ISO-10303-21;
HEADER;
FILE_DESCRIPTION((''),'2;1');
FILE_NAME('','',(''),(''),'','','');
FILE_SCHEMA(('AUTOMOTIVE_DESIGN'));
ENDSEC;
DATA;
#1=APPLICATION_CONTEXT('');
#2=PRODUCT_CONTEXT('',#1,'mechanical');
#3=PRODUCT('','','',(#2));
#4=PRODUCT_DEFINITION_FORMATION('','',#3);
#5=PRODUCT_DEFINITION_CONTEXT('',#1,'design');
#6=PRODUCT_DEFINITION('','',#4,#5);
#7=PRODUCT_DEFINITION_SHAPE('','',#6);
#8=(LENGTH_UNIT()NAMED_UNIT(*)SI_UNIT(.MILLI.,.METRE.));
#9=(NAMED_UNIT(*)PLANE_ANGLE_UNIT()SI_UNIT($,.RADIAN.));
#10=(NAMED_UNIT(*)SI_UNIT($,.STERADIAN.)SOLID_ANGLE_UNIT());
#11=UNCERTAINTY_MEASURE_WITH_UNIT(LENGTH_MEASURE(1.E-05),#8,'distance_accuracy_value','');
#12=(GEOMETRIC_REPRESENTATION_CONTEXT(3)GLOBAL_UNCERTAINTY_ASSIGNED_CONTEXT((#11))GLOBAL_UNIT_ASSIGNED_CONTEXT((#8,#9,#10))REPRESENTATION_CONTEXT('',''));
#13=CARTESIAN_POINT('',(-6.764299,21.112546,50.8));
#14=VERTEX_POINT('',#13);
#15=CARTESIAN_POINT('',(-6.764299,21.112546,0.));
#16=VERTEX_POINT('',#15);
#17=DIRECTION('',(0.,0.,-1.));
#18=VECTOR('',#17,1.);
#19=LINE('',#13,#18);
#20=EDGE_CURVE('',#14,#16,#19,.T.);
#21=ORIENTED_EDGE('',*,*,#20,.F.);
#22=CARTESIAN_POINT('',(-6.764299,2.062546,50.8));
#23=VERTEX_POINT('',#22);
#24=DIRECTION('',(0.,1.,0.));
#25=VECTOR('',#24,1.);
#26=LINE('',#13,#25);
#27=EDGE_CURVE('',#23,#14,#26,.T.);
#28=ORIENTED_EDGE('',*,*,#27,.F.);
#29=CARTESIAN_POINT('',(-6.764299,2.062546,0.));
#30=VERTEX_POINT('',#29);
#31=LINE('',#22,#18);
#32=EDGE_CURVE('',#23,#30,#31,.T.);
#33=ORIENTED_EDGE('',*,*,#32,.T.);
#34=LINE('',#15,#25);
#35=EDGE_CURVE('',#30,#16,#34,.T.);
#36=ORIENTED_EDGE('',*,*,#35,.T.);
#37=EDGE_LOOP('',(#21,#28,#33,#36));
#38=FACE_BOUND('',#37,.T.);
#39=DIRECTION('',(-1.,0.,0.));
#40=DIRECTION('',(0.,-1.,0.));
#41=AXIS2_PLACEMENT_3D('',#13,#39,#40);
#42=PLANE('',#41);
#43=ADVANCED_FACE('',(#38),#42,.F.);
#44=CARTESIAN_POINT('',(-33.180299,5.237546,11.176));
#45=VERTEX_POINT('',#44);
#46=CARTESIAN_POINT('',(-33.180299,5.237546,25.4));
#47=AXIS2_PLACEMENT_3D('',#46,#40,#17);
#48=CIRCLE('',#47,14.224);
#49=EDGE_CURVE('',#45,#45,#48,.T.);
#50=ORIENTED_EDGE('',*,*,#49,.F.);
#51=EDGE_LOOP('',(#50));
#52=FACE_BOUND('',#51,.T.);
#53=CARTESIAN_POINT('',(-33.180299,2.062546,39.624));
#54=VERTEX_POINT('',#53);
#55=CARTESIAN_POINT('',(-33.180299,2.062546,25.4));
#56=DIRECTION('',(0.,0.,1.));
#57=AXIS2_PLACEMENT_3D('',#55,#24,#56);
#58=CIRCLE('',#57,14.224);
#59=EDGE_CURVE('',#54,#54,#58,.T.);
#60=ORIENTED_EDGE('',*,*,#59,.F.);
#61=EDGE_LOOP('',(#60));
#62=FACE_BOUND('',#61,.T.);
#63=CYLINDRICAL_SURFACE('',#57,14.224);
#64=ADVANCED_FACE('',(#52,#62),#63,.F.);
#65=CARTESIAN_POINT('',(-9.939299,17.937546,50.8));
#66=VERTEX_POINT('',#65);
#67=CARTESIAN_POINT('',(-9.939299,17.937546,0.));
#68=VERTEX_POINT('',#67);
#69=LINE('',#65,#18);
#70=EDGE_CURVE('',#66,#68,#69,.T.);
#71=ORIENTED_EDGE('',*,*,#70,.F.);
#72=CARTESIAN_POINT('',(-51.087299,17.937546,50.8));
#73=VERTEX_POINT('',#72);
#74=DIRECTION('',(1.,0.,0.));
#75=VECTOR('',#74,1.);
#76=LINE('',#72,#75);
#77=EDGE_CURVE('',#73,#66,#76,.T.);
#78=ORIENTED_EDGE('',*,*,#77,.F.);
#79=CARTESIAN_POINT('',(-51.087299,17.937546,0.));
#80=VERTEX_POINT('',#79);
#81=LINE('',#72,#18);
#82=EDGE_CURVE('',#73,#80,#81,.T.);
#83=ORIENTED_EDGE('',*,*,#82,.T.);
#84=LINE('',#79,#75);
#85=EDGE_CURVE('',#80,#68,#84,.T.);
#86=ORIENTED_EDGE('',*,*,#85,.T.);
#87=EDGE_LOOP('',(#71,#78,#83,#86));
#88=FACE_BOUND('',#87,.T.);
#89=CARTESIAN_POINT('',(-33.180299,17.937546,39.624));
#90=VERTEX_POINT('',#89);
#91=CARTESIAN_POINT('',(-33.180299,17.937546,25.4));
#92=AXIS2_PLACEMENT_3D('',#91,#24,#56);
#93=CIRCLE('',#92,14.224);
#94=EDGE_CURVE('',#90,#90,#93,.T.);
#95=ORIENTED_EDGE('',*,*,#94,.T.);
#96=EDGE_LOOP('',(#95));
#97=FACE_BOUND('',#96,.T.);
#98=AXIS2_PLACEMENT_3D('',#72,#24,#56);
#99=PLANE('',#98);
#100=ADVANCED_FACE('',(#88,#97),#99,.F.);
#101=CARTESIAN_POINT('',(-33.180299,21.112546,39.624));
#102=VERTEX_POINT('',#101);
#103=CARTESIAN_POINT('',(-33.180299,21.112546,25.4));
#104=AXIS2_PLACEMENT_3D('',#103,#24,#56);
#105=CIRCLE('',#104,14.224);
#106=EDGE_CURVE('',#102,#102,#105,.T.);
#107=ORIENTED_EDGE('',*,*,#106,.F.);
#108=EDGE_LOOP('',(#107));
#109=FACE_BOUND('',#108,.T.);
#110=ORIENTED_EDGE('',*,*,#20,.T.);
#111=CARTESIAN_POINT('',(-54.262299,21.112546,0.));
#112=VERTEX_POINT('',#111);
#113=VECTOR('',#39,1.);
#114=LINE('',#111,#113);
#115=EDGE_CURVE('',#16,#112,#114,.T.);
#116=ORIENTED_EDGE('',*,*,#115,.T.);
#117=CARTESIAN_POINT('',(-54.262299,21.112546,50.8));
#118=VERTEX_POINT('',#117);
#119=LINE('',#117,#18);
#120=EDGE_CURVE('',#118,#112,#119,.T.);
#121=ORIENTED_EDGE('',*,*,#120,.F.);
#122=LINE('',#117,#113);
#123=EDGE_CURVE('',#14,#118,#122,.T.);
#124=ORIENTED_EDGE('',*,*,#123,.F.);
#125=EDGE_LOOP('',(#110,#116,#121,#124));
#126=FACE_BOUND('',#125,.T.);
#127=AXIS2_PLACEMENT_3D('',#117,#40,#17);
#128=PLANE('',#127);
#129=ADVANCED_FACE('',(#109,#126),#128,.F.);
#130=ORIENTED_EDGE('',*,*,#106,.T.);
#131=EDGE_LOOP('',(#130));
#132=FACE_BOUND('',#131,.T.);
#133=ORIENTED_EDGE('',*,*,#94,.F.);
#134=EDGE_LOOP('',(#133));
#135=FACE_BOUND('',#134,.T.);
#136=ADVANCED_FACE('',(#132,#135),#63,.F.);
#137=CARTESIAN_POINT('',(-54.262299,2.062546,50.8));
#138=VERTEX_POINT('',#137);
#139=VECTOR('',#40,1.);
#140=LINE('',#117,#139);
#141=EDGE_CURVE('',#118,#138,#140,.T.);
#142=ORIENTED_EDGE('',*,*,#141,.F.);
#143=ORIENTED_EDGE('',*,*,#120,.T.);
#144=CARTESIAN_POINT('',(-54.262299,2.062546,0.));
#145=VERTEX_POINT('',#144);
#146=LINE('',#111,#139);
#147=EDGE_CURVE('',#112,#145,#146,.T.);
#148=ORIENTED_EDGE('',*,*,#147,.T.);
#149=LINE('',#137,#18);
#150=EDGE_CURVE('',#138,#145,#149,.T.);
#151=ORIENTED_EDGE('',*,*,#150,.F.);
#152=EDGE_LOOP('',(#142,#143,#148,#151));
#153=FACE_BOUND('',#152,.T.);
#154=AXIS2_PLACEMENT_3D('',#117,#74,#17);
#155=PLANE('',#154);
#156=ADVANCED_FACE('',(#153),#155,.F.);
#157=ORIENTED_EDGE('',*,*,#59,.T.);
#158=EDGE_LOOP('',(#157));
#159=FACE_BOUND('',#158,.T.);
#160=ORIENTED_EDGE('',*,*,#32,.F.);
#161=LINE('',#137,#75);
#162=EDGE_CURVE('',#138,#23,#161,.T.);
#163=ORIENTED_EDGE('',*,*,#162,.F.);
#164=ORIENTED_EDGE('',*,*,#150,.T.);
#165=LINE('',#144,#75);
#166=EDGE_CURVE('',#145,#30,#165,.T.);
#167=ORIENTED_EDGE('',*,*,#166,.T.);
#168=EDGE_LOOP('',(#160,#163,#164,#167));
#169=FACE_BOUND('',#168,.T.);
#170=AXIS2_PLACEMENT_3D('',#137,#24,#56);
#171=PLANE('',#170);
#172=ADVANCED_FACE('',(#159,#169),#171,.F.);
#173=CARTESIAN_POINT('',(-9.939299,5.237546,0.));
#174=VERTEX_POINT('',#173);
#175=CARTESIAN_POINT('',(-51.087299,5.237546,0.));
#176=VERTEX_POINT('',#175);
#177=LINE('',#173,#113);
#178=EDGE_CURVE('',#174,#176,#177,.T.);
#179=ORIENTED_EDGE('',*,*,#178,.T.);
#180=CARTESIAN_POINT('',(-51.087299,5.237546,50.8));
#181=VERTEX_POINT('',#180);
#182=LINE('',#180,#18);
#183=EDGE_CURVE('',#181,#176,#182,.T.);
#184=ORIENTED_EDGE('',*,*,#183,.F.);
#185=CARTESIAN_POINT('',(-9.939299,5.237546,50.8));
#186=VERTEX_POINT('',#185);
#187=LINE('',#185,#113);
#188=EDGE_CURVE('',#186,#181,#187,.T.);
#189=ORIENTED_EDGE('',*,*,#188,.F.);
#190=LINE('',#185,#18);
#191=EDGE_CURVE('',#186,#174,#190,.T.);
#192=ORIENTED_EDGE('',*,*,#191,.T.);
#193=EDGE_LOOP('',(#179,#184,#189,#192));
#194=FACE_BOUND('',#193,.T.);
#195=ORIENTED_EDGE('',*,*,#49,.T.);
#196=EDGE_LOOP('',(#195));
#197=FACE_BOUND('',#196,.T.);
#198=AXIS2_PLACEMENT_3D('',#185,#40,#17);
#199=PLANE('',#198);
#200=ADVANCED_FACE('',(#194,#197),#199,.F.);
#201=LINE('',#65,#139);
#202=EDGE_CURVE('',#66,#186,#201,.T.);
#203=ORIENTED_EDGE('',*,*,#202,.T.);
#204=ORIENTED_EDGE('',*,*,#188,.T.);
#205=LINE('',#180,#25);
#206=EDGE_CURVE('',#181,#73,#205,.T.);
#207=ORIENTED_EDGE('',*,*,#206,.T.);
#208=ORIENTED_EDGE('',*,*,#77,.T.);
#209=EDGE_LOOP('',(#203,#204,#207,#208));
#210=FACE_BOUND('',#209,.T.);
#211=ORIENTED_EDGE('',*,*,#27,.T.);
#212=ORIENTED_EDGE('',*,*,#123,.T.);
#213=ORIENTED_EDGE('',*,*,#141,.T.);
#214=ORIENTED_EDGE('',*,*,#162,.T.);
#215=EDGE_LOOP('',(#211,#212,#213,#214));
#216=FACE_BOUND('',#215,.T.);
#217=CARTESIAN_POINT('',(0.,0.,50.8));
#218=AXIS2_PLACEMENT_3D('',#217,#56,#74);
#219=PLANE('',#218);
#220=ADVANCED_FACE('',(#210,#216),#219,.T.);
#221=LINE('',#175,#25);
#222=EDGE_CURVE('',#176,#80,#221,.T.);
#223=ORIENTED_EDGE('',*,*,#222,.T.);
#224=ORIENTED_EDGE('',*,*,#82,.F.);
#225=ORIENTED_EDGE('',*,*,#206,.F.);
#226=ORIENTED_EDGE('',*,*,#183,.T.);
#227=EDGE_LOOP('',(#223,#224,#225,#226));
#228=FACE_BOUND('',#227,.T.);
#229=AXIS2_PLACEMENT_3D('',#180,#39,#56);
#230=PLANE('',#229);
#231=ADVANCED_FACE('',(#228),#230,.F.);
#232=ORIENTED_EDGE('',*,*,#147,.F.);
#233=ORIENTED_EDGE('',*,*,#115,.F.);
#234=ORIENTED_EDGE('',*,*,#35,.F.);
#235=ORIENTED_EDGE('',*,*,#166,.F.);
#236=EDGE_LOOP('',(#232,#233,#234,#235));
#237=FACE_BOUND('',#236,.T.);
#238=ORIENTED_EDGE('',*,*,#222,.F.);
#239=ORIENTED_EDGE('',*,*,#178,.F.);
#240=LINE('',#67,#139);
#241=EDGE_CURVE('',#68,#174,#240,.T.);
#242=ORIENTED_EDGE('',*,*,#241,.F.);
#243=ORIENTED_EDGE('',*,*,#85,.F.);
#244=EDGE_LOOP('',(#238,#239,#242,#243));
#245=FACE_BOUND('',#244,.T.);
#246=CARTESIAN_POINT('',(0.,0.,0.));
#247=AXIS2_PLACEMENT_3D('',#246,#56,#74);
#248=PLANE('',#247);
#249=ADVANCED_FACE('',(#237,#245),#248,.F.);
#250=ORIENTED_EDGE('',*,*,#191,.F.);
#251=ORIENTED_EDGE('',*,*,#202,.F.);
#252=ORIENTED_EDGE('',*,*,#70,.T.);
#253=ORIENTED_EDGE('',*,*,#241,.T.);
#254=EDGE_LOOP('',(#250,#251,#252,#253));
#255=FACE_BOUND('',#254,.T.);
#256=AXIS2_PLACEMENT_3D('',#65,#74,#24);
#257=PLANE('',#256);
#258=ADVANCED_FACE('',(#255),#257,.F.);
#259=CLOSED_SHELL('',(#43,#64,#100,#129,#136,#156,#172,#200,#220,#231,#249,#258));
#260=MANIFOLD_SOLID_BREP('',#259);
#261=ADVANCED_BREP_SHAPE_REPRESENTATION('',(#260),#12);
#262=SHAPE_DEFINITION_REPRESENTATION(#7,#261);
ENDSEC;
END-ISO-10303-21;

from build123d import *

# Parameters (mm, degrees)
SKETCH1_W           = 47.498
SKETCH1_H           = 19.05
BOSS_EXTRUDE1_DEPTH = 50.8
SKETCH2_W           = 41.148
SKETCH2_H           = 12.7
CUT_EXTRUDE1_DEPTH  = 51.8
SKETCH5_R           = 14.224
CUT_EXTRUDE2_DEPTH  = 20.05


with BuildPart() as part:
    # Sketch1 → Boss-Extrude1 (new body)
    with BuildSketch(Plane.XY):
        with Locations((-30.51329874, 11.587546426)):
            Rectangle(SKETCH1_W, SKETCH1_H)
    extrude(amount=BOSS_EXTRUDE1_DEPTH)

    # Sketch2 → Cut-Extrude1 (cut, through all)
    with BuildSketch(Plane(origin=(0, 0, 0), x_dir=(-1, 0, 0), z_dir=(0, 0, -1))):
        with Locations((30.51329874, 11.587546426)):
            Rectangle(SKETCH2_W, SKETCH2_H)
    extrude(amount=-CUT_EXTRUDE1_DEPTH, mode=Mode.SUBTRACT)

    # Sketch5 → Cut-Extrude2 (cut, through all)
    with BuildSketch(Plane(origin=(0, 21.112546426, 0), x_dir=(1, 0, 0), z_dir=(0, 1, 0))):
        with Locations((-33.18029874, -25.4)):
            Circle(SKETCH5_R)
    extrude(amount=-CUT_EXTRUDE2_DEPTH, mode=Mode.SUBTRACT)


solid = part.part
